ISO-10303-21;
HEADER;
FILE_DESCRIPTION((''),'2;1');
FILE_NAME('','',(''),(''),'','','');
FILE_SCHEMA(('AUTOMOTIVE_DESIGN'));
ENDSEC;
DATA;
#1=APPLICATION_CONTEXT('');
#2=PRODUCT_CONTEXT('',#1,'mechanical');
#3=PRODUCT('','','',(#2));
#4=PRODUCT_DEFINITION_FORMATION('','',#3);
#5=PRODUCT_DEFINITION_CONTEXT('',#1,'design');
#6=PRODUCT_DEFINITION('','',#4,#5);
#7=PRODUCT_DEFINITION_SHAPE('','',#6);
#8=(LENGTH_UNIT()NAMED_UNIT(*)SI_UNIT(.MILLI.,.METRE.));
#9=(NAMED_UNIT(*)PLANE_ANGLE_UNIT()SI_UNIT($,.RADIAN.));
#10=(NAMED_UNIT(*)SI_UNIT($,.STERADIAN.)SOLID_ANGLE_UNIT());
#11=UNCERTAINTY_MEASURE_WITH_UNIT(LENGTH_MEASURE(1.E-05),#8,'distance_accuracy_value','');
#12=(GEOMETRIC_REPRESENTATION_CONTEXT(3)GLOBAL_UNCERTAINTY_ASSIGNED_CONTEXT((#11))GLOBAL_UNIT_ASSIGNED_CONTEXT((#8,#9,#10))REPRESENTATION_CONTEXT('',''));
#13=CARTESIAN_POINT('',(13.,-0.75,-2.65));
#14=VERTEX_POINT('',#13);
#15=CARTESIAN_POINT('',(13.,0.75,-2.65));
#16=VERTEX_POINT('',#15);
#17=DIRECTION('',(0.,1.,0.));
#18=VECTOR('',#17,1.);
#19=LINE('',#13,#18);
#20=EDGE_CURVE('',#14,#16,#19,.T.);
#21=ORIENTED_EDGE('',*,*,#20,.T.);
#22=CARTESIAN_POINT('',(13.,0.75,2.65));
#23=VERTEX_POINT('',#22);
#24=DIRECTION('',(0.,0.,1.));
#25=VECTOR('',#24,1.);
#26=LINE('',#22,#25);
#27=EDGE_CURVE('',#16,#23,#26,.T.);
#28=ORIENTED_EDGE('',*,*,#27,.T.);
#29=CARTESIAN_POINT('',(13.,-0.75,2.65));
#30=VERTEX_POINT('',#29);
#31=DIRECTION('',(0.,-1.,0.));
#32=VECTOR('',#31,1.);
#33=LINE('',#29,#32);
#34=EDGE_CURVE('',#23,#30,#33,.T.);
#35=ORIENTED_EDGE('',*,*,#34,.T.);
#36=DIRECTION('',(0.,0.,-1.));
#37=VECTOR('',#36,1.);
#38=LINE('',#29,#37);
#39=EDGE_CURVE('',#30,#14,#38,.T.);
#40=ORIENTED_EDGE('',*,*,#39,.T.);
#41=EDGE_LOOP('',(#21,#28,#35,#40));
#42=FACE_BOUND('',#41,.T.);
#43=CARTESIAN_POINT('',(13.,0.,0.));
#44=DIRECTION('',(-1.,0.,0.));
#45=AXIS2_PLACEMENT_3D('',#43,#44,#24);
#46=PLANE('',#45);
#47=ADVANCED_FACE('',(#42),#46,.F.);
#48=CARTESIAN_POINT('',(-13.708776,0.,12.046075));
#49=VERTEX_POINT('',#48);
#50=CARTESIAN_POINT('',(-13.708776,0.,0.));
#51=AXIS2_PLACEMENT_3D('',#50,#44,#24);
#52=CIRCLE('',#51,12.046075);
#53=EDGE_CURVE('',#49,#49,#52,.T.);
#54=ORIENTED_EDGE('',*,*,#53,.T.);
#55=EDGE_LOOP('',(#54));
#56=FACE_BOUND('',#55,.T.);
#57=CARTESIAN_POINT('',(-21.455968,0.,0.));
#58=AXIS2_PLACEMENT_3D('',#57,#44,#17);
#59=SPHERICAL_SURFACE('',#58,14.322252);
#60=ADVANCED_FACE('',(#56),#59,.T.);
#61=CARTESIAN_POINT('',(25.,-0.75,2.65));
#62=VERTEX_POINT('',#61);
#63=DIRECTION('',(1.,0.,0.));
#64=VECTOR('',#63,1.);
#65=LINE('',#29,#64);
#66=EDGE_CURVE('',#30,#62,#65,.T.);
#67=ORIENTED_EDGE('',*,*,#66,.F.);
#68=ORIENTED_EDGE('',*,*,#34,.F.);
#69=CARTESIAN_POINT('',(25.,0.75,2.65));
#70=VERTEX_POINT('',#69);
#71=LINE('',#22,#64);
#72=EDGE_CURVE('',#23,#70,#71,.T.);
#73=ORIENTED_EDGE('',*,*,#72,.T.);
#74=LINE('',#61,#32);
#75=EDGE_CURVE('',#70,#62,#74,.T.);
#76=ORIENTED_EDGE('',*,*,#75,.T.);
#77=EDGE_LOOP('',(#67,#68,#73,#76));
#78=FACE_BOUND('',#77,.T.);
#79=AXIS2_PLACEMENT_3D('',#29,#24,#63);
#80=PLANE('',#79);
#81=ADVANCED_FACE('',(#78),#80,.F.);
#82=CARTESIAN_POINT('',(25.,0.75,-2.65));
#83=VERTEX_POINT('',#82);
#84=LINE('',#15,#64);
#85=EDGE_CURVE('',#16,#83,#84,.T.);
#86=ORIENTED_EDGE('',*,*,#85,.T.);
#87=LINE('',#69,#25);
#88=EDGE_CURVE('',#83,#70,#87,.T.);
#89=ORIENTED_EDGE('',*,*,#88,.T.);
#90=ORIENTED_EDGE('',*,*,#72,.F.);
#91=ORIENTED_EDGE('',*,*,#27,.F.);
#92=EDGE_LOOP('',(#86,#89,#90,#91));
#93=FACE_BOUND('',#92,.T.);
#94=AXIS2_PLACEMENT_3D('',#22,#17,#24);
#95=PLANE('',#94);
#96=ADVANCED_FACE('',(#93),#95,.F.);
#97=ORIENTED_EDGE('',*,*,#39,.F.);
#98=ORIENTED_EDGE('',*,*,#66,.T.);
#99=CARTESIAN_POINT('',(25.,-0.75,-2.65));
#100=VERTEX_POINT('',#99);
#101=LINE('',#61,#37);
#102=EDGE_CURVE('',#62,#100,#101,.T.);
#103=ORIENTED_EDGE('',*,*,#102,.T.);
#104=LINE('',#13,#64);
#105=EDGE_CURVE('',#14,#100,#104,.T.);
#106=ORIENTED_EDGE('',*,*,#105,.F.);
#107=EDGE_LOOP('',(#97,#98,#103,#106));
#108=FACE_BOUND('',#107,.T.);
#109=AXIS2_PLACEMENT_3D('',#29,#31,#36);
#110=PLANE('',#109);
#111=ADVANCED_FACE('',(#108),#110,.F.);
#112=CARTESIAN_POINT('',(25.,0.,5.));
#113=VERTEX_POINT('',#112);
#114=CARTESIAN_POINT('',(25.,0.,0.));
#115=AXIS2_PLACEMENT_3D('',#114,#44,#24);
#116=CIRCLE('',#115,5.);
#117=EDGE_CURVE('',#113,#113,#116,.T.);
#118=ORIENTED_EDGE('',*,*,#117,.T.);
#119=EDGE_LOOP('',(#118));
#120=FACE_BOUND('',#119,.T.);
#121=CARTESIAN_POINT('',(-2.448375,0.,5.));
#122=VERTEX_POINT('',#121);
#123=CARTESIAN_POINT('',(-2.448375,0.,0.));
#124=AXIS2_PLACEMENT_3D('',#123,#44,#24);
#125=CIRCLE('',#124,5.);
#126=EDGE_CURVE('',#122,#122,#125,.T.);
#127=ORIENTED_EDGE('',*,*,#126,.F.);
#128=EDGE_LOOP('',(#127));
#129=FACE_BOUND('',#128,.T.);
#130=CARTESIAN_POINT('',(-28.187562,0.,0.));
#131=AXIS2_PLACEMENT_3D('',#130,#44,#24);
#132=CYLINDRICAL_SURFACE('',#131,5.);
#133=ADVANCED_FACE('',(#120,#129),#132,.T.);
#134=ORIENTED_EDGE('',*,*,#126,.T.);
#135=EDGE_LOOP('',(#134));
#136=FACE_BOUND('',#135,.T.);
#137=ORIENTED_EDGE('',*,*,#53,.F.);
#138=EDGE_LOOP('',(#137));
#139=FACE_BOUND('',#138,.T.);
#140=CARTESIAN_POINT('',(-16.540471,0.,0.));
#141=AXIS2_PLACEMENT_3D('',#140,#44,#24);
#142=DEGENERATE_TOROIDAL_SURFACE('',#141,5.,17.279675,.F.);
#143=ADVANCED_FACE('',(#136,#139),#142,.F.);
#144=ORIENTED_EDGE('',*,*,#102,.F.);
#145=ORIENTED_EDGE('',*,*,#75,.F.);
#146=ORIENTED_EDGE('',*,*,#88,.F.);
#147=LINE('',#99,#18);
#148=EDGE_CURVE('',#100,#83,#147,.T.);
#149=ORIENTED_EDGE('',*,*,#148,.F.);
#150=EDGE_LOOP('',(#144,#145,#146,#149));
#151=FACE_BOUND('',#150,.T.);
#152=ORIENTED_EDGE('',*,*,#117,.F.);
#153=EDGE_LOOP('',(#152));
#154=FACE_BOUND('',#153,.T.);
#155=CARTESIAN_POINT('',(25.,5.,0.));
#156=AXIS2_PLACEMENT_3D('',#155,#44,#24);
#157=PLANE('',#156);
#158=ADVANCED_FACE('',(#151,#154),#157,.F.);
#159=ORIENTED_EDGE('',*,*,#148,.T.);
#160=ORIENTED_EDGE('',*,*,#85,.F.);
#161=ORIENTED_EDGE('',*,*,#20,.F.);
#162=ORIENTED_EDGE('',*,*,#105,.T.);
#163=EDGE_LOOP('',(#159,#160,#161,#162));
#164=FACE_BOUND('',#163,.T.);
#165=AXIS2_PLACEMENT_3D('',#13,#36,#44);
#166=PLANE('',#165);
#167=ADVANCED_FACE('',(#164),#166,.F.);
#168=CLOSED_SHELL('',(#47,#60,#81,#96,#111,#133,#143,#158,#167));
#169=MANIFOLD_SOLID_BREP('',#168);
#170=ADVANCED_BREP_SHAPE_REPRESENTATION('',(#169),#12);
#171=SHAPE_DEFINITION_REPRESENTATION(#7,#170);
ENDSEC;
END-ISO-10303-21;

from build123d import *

# Parameters (mm, degrees)
SKETCH_2_W          = 5.3
SKETCH_2_H          = 1.5
CUT_EXTRUDE_2_DEPTH = 12


with BuildPart() as part:
    # 草图1 → 旋转4 (revolve)
    with BuildSketch(Plane.XY, mode=Mode.PRIVATE) as revolve_4_sk:
        with BuildLine():
            Line((-2.448374643, 5), (25, 5))
            Line((25, 5), (25, 0))
            Line((25, 0), (-35.778219949, 0))
            ThreePointArc((-35.778219949, 0), (-28.317806715, 12.571478645), (-13.708775535, 12.046075068))
            ThreePointArc((-13.708775535, 12.046075068), (-7.374475352, 9.64826615), (-2.448374643, 5))
        make_face()
    revolve(revolve_4_sk.sketch.rotate(Axis((-28.187562351, 0, 0), (1, 0, 0)), 90), axis=Axis((-28.187562351, 0, 0), (1, 0, 0)))

    # 草图2 → 切除-拉伸2 (cut)
    with BuildSketch(Plane(origin=(25, 0, 0), x_dir=(0, 0, -1), z_dir=(1, 0, 0))):
        Rectangle(SKETCH_2_W, SKETCH_2_H)
    extrude(amount=-CUT_EXTRUDE_2_DEPTH, mode=Mode.SUBTRACT)


solid = part.part
